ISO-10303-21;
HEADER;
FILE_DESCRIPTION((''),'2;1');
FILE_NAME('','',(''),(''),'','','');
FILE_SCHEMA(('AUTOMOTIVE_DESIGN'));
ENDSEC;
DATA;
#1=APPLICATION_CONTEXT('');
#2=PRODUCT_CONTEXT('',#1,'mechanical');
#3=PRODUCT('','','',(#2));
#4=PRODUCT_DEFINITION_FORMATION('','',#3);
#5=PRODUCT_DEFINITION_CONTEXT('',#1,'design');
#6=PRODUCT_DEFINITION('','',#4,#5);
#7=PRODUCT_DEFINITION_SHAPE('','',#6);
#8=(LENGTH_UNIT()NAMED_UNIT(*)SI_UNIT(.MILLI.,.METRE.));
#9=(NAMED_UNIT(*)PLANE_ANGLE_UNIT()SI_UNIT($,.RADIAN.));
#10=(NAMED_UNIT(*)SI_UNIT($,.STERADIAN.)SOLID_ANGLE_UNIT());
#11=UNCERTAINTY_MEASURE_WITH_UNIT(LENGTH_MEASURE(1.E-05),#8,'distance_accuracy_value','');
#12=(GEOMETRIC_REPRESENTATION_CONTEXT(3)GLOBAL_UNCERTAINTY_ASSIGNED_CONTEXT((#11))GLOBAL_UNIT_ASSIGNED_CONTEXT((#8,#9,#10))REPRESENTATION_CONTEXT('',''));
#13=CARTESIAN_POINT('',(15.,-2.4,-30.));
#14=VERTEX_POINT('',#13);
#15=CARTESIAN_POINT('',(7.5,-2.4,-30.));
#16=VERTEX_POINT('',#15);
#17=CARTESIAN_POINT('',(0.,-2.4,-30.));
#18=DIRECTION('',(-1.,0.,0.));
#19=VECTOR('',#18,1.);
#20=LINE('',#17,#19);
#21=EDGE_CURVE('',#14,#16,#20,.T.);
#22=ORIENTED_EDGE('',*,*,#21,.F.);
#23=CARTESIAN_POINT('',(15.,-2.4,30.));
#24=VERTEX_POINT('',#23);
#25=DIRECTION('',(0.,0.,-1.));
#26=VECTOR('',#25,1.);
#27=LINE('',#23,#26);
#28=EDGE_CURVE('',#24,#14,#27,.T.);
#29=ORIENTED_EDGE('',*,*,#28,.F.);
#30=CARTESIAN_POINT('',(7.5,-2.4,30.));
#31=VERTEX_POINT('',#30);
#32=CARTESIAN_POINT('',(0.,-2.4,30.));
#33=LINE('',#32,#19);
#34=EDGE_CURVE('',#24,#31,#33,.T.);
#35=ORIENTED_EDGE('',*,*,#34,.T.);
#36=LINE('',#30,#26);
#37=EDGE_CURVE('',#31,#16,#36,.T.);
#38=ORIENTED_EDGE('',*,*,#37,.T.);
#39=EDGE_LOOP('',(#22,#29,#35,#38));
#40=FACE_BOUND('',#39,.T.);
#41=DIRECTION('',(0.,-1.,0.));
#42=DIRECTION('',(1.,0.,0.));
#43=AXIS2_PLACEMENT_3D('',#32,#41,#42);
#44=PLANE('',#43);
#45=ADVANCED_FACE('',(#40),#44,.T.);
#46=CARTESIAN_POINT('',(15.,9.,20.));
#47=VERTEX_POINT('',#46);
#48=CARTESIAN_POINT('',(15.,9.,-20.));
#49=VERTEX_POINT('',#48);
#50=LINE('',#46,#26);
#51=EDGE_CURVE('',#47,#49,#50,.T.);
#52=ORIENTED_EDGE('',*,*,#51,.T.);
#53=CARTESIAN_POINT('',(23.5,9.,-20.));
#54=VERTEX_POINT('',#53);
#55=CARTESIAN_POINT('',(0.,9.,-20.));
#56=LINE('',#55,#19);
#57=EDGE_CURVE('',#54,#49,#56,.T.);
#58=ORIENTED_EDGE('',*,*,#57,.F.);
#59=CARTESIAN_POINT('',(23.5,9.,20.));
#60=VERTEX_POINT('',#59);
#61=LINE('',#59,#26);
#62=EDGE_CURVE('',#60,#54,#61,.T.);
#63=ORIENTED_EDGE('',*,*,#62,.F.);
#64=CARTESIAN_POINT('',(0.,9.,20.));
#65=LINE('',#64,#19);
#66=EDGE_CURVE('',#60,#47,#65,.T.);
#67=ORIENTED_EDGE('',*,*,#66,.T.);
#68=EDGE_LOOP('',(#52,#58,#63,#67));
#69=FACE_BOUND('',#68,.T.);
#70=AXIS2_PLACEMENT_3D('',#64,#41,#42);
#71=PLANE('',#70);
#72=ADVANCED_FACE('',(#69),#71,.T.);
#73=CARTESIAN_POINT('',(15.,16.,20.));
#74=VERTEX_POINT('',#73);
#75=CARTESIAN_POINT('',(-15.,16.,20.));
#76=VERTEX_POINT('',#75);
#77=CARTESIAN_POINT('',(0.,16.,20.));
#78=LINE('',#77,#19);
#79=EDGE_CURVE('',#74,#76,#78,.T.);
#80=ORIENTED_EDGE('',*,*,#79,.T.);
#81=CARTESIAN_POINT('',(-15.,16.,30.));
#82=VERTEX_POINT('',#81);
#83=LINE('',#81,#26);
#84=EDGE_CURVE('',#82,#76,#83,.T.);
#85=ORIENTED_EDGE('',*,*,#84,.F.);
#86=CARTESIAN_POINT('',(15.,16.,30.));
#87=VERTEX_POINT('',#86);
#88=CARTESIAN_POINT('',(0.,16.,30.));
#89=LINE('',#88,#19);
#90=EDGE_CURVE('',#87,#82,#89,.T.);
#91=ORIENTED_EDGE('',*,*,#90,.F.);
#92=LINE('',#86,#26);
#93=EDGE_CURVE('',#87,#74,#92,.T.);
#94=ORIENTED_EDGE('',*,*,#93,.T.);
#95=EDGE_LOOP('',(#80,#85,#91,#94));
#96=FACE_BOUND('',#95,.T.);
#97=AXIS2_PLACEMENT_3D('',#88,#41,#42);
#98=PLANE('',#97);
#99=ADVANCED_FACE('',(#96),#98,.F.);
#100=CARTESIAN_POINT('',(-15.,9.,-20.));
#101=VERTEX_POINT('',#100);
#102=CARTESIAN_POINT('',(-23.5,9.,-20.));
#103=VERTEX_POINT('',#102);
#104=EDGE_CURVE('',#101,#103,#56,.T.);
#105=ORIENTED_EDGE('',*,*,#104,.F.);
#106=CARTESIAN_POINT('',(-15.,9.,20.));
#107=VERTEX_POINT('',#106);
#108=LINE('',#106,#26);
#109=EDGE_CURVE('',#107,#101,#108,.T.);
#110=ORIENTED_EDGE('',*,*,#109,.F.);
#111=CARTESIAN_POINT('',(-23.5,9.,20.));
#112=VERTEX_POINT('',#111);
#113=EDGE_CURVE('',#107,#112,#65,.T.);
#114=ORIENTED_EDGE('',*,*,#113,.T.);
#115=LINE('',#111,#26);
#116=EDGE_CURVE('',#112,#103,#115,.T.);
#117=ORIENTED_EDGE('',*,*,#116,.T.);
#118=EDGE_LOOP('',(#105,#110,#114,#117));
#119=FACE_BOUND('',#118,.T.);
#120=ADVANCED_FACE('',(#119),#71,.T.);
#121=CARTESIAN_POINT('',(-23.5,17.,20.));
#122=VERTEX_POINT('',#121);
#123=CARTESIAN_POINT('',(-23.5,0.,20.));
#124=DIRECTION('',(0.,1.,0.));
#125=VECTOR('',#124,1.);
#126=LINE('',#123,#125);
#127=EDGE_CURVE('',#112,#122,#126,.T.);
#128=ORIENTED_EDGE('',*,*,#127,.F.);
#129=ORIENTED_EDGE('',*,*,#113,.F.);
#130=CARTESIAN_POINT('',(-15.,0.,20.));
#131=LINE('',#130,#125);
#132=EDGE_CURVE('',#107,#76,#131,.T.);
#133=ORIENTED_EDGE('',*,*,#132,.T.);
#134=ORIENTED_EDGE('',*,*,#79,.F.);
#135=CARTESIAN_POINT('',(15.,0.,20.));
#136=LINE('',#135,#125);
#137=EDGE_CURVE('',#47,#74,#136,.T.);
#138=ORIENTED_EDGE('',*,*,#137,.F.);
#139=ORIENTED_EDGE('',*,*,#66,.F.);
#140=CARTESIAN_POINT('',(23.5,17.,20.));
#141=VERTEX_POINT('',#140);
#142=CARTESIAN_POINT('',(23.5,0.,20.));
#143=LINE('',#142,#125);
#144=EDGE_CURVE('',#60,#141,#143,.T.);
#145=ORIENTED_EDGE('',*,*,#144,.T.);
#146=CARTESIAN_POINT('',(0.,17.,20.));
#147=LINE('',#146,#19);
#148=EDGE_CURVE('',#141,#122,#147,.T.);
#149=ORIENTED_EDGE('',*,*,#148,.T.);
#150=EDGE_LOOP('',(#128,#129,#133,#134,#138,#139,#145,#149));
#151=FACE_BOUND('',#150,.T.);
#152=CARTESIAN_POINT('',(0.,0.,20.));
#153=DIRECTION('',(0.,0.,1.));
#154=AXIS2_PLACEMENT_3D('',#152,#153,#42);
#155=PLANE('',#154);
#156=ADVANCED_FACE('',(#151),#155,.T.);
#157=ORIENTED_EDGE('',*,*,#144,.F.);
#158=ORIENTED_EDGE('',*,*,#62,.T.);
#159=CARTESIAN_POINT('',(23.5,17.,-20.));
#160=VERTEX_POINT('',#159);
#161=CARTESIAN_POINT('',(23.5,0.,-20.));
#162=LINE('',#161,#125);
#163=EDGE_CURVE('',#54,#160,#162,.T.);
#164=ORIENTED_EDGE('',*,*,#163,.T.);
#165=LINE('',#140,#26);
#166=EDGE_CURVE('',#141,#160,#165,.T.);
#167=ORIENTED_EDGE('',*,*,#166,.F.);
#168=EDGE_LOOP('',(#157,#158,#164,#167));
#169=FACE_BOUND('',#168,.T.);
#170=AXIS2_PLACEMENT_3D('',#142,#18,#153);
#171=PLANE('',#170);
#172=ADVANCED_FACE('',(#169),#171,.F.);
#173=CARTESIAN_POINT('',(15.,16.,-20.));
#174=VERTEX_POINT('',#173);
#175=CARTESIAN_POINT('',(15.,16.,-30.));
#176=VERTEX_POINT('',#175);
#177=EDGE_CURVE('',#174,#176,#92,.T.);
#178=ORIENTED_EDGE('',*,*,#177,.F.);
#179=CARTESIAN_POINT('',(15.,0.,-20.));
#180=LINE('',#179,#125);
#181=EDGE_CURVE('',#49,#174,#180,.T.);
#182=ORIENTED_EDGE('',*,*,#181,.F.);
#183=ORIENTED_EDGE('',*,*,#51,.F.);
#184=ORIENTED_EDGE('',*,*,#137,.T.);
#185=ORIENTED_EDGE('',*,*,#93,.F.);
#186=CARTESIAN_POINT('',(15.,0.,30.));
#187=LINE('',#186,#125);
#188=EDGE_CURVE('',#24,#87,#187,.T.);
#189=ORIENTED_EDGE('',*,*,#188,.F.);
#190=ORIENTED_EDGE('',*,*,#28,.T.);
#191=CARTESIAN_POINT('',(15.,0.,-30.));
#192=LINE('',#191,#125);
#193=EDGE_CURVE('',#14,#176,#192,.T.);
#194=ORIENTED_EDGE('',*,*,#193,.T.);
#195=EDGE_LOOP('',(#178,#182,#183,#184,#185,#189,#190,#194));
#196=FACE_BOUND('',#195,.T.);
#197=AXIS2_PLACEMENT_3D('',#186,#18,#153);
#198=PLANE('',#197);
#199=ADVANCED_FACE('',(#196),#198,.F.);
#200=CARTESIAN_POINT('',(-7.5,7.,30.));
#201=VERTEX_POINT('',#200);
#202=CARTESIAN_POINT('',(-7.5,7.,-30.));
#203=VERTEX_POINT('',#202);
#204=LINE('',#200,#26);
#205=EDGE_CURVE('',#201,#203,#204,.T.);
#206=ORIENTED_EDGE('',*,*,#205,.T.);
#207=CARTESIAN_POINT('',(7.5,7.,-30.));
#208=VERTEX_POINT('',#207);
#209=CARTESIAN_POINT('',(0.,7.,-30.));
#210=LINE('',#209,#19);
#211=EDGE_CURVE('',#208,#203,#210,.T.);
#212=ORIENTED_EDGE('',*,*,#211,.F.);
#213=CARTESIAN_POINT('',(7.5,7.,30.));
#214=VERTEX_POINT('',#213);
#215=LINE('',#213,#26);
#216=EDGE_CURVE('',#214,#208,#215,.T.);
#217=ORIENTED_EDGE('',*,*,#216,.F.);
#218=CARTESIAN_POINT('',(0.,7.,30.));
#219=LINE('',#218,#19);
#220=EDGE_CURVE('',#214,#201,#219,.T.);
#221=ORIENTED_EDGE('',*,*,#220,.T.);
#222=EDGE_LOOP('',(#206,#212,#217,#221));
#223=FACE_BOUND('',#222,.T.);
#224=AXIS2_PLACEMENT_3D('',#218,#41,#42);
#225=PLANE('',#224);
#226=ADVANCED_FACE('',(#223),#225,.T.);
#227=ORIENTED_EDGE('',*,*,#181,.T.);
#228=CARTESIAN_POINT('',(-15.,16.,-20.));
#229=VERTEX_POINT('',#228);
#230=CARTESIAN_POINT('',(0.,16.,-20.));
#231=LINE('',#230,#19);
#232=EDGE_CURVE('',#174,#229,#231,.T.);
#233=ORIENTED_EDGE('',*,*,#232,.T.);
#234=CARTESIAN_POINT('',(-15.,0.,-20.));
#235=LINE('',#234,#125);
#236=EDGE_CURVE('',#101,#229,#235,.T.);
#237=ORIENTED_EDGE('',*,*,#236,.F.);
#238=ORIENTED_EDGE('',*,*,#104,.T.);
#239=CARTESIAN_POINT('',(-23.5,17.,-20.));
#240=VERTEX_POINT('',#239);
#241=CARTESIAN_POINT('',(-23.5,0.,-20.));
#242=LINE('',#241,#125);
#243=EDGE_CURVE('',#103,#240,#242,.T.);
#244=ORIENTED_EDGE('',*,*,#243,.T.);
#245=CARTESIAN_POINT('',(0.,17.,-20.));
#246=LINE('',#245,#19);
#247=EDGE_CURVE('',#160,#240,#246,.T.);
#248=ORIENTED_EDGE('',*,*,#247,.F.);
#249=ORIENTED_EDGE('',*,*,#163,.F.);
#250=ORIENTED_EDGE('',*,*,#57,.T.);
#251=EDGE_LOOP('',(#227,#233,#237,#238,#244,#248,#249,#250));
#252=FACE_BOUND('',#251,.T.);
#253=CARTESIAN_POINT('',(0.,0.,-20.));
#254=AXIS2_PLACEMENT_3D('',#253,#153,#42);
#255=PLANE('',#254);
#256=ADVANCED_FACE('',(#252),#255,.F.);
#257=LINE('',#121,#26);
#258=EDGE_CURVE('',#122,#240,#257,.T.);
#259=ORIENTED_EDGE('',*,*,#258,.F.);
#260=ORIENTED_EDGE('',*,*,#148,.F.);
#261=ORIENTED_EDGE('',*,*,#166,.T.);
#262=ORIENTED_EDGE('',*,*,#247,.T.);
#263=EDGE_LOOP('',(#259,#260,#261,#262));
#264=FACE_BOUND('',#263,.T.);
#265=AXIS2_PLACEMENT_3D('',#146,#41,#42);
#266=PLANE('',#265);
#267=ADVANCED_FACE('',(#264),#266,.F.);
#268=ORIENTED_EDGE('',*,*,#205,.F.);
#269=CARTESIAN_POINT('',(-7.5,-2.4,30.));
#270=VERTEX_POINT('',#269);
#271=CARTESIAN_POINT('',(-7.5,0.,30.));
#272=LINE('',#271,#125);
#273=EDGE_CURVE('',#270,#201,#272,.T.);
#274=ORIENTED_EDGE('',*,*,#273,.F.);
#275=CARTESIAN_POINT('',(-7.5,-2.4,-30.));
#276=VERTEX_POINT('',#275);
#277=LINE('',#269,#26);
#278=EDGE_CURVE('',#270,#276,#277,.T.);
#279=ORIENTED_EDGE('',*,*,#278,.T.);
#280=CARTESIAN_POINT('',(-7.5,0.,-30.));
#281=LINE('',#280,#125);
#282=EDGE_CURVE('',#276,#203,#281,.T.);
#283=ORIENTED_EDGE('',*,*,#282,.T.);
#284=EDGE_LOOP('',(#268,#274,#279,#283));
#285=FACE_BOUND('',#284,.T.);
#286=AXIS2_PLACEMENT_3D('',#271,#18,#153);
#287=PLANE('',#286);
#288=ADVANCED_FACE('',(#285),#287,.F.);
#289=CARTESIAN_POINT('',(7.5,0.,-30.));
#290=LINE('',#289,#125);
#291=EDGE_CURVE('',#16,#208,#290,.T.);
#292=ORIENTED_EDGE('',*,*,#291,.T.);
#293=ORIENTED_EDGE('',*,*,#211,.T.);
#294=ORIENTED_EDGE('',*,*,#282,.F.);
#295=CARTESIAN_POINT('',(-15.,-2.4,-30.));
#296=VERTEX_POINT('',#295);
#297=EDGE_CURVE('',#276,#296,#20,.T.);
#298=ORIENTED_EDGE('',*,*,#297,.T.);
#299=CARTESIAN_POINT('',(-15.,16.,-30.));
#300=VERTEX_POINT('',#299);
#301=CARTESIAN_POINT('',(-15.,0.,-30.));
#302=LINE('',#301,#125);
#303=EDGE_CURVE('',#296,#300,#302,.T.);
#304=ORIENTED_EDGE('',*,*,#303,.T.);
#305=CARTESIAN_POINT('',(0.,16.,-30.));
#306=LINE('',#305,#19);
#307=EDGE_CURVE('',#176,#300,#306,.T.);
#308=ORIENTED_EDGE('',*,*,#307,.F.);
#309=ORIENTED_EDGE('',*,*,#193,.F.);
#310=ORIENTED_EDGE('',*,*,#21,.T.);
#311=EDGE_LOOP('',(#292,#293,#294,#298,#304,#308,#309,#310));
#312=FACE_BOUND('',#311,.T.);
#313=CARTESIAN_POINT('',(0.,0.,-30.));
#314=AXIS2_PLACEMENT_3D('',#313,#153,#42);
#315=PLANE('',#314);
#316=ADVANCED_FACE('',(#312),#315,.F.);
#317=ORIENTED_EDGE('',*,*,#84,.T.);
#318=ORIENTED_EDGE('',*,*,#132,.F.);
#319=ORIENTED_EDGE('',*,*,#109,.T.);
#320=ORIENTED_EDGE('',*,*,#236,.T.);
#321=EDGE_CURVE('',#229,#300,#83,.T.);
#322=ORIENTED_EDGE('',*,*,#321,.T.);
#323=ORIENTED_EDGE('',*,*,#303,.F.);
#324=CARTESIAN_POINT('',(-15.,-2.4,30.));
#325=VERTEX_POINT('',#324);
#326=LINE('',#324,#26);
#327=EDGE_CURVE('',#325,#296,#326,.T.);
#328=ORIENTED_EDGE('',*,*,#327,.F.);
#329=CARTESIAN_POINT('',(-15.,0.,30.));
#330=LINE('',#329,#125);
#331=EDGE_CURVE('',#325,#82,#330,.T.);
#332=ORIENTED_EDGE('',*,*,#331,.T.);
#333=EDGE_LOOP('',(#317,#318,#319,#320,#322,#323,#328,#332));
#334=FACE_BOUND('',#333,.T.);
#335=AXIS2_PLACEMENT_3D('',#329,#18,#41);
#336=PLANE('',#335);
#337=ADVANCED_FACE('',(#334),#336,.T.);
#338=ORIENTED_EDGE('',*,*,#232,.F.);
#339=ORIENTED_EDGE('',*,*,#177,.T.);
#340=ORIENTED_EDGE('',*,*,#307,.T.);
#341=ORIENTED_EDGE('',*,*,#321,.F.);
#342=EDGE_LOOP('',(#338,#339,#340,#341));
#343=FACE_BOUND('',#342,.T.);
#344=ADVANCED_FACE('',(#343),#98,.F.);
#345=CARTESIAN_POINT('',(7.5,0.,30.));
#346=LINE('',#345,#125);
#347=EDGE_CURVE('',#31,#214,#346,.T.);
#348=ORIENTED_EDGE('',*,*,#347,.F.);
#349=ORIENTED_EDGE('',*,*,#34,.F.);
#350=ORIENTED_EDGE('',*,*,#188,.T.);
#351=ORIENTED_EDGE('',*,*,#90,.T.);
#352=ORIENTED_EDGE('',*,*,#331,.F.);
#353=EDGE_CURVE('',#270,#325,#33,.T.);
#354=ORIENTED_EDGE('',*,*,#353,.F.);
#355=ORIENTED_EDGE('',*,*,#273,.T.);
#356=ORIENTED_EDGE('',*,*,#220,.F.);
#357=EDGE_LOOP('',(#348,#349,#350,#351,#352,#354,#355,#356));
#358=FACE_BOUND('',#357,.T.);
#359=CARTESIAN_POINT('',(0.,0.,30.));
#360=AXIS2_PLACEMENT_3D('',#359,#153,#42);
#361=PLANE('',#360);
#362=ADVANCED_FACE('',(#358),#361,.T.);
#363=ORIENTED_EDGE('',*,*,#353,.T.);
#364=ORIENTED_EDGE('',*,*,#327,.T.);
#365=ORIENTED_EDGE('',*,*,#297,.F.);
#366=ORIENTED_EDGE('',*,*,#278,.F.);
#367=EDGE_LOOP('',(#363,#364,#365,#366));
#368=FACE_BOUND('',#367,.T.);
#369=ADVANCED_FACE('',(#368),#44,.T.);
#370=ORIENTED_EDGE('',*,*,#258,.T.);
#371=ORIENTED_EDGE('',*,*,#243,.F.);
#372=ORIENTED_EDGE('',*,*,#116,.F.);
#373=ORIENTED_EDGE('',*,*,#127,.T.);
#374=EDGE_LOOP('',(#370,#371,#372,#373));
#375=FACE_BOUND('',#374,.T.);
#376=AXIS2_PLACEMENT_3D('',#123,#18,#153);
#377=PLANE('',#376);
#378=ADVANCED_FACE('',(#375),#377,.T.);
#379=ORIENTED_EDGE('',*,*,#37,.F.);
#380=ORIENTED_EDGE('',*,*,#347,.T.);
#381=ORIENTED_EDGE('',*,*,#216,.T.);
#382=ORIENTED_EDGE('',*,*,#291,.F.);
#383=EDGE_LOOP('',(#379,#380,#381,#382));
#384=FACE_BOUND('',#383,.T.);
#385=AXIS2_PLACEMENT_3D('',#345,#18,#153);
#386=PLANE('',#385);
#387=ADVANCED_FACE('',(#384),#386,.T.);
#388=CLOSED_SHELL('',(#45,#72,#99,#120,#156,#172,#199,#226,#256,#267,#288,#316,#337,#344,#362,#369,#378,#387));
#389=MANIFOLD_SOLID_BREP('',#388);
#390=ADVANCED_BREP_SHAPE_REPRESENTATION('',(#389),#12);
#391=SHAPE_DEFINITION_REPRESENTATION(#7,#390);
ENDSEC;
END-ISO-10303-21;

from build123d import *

# Parameters (mm, degrees)
BOSS_EXTRUDE1_DEPTH = 30
BOSS_EXTRUDE2_DEPTH = 20


with BuildPart() as part:
    # Sketch1 → Boss-Extrude1 (new, symmetric)
    with BuildSketch(Plane.XY):
        Polygon((7.5, 7), (7.5, -2.4), (15, -2.4), (15, 16), (-15, 16), (-15, -2.4), (-7.5, -2.4), (-7.5, 7), align=None)
    extrude(amount=BOSS_EXTRUDE1_DEPTH, both=True)

    # Sketch1<3> → Boss-Extrude2 (add, symmetric)
    with BuildSketch(Plane.XY):
        Polygon((15, 16), (15, 9), (23.5, 9), (23.5, 17), (-23.5, 17), (-23.5, 9), (-15, 9), (-15, 16), align=None)
    extrude(amount=BOSS_EXTRUDE2_DEPTH, both=True)


solid = part.part
